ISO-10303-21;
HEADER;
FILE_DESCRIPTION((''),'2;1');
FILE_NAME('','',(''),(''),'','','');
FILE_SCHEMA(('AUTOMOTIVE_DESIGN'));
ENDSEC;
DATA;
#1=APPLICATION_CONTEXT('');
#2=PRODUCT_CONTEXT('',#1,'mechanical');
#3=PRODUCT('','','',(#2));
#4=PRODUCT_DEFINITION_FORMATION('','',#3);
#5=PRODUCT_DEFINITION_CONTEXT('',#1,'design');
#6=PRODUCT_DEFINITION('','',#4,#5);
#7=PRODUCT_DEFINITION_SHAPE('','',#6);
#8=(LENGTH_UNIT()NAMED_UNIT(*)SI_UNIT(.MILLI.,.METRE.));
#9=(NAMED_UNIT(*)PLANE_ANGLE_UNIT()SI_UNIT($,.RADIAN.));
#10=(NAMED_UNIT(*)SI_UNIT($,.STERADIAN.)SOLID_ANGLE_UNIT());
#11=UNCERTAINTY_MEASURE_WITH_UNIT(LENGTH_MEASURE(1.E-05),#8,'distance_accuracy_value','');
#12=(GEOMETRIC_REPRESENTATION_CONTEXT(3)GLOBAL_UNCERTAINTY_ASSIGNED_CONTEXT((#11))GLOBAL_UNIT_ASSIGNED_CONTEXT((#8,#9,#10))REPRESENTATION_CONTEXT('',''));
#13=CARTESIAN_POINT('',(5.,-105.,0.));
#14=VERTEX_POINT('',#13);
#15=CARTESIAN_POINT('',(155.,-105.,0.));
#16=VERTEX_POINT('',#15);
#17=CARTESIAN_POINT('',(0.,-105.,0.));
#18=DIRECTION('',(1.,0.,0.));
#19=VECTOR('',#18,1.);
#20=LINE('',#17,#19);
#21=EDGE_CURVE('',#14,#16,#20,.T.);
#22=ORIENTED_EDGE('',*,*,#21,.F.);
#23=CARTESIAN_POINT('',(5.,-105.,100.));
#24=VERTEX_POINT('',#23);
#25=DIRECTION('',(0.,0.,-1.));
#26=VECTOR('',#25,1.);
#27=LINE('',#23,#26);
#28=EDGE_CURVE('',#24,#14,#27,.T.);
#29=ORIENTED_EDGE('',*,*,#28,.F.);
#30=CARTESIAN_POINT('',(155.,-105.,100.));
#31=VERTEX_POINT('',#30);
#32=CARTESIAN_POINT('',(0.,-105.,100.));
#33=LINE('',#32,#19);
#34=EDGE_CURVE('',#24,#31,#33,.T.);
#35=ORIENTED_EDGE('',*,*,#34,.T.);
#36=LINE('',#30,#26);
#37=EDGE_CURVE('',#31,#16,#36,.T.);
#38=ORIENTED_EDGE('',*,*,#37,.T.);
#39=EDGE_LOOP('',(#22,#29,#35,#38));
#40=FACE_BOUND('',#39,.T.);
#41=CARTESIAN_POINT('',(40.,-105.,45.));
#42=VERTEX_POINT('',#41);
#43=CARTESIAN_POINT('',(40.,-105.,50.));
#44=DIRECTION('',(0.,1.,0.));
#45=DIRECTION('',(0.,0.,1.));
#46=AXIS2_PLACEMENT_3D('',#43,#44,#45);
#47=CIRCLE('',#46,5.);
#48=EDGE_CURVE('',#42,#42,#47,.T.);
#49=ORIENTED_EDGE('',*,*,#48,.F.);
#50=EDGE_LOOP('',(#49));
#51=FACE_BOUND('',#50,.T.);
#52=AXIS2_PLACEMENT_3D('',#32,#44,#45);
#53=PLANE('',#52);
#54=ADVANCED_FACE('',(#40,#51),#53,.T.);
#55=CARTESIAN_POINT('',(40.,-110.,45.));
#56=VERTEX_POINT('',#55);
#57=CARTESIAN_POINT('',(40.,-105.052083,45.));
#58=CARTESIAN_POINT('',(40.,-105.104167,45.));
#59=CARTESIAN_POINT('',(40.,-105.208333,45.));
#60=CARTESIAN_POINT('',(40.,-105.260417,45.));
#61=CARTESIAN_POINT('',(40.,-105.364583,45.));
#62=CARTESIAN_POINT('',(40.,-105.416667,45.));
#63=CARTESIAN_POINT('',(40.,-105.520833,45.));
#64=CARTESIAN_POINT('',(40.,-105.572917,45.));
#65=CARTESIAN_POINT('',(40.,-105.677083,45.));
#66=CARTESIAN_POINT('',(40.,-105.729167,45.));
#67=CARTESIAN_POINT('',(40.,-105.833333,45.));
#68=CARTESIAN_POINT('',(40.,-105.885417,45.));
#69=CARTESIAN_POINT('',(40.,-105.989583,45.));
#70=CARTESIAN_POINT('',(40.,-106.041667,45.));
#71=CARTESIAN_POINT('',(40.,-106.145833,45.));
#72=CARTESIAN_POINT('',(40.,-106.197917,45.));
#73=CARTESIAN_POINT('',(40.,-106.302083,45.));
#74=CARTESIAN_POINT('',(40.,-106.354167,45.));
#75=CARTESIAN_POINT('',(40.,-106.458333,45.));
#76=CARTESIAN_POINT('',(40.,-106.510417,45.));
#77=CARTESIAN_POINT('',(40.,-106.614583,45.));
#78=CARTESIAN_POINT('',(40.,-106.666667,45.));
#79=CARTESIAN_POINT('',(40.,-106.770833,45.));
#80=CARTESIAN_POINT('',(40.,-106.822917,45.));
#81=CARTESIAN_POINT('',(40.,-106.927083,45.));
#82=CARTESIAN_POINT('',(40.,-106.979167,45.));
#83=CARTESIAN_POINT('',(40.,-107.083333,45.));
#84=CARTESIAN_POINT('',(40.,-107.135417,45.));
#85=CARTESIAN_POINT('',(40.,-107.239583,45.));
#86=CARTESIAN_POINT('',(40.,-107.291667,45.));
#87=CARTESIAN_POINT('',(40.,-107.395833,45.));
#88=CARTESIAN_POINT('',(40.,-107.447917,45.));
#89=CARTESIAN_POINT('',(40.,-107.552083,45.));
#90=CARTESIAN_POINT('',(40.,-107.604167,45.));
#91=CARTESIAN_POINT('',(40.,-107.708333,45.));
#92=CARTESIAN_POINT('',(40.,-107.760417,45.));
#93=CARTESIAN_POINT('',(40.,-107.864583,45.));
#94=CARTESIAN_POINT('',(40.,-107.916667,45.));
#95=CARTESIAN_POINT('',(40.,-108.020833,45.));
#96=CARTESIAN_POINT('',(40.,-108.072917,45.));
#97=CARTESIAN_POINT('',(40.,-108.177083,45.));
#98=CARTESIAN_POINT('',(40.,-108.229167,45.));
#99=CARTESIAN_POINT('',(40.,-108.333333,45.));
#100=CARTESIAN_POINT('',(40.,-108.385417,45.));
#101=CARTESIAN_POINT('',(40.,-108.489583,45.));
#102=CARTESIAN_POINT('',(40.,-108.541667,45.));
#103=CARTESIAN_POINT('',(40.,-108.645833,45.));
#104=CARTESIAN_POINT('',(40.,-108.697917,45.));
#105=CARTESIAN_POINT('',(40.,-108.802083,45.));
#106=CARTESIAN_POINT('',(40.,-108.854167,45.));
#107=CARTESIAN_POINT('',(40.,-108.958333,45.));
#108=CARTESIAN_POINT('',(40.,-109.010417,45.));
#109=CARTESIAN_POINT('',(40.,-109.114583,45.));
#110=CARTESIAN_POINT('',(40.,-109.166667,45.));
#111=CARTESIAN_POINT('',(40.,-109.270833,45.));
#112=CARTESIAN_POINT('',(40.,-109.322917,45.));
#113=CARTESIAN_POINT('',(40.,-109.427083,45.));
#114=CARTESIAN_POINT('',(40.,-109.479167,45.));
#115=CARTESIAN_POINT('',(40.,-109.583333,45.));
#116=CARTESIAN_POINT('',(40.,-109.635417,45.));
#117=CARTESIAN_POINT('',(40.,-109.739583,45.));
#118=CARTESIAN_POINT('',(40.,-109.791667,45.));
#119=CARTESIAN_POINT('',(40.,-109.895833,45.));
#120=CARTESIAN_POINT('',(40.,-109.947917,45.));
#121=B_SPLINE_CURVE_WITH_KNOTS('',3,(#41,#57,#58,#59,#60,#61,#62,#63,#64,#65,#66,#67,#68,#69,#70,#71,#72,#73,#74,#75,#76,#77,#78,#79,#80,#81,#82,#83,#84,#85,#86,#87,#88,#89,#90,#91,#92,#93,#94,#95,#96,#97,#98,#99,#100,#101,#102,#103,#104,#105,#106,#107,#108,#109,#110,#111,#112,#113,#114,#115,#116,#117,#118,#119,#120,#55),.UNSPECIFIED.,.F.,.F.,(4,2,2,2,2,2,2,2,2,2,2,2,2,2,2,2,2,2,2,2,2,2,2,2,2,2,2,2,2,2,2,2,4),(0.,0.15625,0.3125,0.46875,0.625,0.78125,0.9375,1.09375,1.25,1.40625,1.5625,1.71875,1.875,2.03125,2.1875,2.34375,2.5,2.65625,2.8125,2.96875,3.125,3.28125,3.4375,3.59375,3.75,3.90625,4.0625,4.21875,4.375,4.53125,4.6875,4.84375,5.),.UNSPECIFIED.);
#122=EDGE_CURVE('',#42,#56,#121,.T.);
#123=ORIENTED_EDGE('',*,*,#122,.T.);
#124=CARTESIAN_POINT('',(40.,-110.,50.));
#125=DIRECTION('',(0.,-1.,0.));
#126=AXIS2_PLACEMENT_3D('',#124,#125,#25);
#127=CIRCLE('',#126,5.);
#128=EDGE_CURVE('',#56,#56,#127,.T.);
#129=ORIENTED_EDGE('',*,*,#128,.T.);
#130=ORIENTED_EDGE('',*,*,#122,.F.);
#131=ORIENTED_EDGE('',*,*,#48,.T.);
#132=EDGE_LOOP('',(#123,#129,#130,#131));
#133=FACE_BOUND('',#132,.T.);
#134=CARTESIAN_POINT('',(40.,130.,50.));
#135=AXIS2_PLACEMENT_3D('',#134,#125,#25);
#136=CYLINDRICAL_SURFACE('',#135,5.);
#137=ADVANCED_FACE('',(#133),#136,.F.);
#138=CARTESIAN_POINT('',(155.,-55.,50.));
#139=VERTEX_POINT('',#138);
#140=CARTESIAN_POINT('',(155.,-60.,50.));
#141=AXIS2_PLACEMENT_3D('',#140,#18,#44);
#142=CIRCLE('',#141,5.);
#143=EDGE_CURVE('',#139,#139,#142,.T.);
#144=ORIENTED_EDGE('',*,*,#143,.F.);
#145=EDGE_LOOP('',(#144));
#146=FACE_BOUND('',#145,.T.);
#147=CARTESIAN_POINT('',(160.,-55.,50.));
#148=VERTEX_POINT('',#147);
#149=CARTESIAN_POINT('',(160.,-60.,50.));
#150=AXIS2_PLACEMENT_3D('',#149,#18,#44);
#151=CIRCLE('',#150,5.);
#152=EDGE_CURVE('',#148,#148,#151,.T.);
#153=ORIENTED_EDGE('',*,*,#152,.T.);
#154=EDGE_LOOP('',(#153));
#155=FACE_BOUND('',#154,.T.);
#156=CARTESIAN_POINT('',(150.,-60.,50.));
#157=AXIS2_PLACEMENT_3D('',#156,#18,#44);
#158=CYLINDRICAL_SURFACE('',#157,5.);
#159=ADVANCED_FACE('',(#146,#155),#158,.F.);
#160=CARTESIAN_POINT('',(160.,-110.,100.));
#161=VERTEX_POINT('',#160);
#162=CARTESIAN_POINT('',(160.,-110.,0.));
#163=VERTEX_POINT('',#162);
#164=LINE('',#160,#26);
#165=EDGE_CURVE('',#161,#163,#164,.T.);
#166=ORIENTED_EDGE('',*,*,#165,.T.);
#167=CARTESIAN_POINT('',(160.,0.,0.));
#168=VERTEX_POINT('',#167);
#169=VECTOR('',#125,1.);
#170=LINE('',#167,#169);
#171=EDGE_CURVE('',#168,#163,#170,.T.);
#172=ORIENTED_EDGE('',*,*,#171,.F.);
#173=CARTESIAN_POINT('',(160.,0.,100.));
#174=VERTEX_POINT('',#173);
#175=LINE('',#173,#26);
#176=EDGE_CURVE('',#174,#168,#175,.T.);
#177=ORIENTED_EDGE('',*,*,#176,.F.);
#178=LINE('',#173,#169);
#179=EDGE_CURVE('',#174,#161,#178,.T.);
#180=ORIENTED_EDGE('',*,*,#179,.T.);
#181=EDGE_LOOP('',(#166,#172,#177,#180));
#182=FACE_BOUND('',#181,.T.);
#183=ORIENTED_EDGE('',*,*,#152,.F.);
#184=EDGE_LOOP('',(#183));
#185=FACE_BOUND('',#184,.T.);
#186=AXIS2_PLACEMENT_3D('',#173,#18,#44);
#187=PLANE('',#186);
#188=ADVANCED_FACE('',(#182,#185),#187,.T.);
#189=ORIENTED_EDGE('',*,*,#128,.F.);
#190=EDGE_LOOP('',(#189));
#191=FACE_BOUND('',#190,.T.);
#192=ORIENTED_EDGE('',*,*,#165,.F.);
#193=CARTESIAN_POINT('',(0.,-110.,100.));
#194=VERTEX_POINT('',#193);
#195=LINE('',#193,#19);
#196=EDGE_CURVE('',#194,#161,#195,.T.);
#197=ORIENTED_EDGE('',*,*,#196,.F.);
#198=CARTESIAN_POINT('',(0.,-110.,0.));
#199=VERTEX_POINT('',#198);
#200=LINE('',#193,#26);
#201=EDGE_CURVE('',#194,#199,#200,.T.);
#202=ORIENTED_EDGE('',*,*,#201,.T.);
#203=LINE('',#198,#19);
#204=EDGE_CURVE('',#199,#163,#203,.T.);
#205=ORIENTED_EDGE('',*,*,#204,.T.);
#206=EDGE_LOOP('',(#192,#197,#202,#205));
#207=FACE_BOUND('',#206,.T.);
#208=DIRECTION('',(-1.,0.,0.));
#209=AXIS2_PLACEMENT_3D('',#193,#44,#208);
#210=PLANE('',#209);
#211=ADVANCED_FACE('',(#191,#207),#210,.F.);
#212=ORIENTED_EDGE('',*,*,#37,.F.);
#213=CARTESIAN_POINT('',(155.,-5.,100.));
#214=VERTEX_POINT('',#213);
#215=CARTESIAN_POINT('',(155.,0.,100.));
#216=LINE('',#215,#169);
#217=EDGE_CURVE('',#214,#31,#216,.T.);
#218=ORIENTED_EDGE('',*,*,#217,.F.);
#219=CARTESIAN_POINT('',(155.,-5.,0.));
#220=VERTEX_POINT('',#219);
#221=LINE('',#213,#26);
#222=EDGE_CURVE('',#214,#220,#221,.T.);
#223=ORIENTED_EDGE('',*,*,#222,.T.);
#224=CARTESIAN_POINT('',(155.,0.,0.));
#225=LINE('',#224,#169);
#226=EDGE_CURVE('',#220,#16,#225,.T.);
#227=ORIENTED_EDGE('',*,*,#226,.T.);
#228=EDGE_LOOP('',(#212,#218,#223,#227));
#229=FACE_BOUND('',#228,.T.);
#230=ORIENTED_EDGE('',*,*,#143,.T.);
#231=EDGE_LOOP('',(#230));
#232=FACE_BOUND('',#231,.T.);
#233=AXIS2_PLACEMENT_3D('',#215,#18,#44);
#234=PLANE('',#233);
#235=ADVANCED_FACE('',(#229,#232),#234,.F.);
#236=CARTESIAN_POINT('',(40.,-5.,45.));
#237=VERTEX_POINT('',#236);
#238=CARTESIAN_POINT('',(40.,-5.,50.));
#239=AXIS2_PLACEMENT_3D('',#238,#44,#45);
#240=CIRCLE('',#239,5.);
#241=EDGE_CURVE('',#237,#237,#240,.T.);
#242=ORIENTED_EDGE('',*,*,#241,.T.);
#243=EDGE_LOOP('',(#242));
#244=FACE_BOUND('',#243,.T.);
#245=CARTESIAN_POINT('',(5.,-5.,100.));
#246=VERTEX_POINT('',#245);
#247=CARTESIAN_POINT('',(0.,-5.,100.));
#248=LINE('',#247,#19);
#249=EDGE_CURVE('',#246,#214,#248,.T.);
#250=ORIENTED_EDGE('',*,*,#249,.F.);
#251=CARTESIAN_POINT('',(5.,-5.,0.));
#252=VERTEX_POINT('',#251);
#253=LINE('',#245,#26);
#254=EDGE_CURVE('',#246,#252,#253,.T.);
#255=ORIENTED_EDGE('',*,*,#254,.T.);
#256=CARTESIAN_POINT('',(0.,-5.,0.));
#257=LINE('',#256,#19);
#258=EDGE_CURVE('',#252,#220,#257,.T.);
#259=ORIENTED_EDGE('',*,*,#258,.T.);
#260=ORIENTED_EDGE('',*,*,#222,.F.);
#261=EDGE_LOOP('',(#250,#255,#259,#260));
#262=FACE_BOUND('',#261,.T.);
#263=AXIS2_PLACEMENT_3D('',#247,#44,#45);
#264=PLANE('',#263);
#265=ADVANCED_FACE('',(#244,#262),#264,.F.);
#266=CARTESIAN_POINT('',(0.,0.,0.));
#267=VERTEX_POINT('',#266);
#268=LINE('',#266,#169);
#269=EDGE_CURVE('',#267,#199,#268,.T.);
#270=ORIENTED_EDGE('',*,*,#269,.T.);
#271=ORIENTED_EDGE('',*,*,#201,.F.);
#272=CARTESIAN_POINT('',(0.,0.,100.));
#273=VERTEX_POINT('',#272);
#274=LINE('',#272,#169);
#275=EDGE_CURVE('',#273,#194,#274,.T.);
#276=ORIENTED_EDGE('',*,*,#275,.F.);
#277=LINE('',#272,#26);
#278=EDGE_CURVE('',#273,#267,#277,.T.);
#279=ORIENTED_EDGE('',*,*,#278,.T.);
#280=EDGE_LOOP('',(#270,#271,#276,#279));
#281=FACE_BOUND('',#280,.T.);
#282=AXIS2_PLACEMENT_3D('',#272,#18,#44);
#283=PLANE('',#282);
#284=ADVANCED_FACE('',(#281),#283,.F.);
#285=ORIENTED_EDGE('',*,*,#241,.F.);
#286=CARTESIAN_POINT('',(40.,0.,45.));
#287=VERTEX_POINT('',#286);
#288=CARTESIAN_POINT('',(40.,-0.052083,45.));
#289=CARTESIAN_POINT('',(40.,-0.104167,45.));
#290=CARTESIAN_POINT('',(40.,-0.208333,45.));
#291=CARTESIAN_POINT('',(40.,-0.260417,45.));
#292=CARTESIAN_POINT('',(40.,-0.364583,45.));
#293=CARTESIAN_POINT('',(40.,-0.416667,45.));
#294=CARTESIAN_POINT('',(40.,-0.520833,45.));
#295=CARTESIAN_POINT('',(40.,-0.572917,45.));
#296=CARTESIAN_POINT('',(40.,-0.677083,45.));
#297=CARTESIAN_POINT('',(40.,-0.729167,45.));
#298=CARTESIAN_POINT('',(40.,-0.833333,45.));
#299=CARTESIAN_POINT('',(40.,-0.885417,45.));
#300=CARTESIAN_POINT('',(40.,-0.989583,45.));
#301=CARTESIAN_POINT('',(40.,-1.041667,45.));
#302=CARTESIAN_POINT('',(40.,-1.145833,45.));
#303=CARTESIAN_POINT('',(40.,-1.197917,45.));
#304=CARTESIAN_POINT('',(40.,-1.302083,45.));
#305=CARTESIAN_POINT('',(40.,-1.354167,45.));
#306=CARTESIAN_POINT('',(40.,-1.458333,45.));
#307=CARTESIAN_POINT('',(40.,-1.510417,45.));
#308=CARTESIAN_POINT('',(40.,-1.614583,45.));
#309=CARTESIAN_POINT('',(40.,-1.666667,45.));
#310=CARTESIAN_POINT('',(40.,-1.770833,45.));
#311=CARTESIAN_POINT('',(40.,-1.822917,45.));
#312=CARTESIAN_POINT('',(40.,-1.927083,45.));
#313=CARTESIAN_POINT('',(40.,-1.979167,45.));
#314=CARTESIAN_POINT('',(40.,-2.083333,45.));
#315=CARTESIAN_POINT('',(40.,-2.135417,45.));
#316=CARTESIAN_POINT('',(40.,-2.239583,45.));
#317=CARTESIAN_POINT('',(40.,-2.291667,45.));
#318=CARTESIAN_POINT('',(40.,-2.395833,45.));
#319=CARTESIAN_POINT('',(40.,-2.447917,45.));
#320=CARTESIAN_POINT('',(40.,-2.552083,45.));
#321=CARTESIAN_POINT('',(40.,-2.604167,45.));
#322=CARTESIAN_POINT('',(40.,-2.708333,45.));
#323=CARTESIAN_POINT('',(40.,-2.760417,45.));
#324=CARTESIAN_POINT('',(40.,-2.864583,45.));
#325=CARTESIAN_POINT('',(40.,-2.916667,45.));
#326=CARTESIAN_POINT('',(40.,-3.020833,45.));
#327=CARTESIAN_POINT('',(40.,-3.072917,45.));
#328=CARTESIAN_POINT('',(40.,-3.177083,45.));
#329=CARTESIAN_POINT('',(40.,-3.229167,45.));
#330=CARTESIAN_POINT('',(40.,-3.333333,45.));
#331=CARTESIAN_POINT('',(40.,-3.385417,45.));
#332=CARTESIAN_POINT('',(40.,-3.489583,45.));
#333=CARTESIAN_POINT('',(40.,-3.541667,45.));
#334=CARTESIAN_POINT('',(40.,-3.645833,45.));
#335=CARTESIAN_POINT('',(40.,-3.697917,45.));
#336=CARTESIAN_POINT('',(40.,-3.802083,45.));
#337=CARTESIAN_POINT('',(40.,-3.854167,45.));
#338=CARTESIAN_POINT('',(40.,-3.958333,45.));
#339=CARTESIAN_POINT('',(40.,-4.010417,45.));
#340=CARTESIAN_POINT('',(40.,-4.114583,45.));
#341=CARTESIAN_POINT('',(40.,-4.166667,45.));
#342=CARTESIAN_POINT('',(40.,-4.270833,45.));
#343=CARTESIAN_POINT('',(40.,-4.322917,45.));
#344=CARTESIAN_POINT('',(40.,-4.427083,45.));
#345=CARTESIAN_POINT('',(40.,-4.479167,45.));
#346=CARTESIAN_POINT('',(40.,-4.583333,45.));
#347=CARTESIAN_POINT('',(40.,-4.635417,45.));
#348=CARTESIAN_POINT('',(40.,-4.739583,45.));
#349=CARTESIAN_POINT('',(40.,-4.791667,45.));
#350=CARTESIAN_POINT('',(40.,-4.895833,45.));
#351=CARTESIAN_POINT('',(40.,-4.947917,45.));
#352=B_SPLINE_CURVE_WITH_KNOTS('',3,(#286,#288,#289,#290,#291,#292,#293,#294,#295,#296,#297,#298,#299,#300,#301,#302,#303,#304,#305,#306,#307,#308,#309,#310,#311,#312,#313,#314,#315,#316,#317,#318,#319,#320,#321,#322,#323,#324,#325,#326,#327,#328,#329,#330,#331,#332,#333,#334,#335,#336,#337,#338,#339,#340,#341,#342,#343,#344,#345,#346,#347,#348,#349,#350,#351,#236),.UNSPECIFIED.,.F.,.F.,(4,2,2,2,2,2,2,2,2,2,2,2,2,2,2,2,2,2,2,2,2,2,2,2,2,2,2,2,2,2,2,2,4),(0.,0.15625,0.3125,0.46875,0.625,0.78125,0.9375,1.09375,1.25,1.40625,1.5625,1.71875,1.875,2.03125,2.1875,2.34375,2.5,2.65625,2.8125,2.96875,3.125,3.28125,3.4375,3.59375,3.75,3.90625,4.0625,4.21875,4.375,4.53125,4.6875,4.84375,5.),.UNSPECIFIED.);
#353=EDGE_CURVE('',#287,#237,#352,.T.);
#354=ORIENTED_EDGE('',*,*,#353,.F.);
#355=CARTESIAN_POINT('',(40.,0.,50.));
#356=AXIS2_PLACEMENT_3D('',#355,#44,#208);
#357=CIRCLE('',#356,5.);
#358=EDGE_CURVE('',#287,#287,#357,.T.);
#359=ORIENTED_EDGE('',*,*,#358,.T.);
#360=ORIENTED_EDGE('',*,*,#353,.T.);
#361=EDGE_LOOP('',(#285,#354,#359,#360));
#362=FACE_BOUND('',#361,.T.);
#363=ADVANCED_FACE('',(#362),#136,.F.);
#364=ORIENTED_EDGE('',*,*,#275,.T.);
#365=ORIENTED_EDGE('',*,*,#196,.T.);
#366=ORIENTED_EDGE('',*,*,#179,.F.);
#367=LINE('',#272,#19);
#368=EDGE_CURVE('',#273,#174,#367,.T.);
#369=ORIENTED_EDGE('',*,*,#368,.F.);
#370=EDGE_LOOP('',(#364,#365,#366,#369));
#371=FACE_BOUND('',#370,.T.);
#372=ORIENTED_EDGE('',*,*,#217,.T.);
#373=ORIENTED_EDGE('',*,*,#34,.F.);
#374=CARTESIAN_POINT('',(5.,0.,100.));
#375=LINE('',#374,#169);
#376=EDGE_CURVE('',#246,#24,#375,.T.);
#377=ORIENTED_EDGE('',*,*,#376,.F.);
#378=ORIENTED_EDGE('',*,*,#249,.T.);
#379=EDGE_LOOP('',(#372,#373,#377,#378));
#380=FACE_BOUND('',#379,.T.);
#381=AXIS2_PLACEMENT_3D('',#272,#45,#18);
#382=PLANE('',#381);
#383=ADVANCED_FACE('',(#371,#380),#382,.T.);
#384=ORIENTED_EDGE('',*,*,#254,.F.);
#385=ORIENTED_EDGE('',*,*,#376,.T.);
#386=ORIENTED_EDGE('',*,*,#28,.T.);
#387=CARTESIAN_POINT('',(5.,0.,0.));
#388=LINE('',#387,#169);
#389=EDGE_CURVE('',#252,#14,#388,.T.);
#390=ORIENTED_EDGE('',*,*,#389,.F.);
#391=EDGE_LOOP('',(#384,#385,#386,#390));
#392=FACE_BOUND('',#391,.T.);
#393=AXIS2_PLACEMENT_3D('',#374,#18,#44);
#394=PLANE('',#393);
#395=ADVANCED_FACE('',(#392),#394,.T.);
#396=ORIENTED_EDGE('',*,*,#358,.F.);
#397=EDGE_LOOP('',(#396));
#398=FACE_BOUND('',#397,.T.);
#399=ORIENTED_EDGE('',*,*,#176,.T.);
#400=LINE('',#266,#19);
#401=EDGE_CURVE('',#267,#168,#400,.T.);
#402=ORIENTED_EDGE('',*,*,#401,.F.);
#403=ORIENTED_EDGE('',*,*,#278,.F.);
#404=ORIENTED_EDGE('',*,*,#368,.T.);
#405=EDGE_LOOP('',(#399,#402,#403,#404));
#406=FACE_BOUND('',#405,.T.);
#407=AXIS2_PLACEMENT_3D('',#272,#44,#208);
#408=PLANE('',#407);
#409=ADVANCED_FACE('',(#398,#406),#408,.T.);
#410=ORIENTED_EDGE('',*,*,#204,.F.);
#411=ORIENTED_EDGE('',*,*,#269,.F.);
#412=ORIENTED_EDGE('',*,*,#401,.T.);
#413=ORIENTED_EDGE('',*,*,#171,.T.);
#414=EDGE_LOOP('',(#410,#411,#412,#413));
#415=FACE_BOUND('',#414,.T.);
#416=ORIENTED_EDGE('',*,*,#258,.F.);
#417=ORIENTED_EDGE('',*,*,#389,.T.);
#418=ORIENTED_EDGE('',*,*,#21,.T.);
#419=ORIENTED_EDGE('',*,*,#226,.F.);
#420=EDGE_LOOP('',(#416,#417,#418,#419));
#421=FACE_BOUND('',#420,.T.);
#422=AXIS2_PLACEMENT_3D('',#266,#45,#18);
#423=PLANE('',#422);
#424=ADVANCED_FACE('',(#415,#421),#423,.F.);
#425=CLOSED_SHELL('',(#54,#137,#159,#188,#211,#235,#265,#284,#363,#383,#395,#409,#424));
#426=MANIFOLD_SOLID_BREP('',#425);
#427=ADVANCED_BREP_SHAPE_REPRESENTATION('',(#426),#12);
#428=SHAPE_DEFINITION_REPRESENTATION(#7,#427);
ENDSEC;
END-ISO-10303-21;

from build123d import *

# Parameters (mm, degrees)
SKETCH1_W           = 160
SKETCH1_H           = 110
SKETCH1_W_2         = 150
SKETCH1_H_2         = 100
BOSS_EXTRUDE1_DEPTH = 100
SKETCH2_R           = 5
CUT_EXTRUDE1_DEPTH  = 240
SKETCH3_R           = 5
CUT_EXTRUDE2_DEPTH  = 10


with BuildPart() as part:
    # Sketch1 → Boss-Extrude1 (new body)
    with BuildSketch(Plane.XY):
        with Locations((80, -55)):
            Rectangle(SKETCH1_W, SKETCH1_H)
        with Locations((80, -55)):
            Rectangle(SKETCH1_W_2, SKETCH1_H_2, mode=Mode.SUBTRACT)
    extrude(amount=BOSS_EXTRUDE1_DEPTH)

    # Sketch2 → Cut-Extrude1 (cut)
    with BuildSketch(Plane.XZ.offset(110)):
        with Locations(Location((40, 50, 0), (0, 0, 270))):
            Circle(SKETCH2_R)
    extrude(amount=-CUT_EXTRUDE1_DEPTH, mode=Mode.SUBTRACT)

    # Sketch3 → Cut-Extrude2 (cut)
    with BuildSketch(Plane(origin=(160, 0, 0), x_dir=(0, 0, -1), z_dir=(1, 0, 0))):
        with Locations(Location((-50, -60, 0), (0, 0, 90))):
            Circle(SKETCH3_R)
    extrude(amount=-CUT_EXTRUDE2_DEPTH, mode=Mode.SUBTRACT)


solid = part.part
